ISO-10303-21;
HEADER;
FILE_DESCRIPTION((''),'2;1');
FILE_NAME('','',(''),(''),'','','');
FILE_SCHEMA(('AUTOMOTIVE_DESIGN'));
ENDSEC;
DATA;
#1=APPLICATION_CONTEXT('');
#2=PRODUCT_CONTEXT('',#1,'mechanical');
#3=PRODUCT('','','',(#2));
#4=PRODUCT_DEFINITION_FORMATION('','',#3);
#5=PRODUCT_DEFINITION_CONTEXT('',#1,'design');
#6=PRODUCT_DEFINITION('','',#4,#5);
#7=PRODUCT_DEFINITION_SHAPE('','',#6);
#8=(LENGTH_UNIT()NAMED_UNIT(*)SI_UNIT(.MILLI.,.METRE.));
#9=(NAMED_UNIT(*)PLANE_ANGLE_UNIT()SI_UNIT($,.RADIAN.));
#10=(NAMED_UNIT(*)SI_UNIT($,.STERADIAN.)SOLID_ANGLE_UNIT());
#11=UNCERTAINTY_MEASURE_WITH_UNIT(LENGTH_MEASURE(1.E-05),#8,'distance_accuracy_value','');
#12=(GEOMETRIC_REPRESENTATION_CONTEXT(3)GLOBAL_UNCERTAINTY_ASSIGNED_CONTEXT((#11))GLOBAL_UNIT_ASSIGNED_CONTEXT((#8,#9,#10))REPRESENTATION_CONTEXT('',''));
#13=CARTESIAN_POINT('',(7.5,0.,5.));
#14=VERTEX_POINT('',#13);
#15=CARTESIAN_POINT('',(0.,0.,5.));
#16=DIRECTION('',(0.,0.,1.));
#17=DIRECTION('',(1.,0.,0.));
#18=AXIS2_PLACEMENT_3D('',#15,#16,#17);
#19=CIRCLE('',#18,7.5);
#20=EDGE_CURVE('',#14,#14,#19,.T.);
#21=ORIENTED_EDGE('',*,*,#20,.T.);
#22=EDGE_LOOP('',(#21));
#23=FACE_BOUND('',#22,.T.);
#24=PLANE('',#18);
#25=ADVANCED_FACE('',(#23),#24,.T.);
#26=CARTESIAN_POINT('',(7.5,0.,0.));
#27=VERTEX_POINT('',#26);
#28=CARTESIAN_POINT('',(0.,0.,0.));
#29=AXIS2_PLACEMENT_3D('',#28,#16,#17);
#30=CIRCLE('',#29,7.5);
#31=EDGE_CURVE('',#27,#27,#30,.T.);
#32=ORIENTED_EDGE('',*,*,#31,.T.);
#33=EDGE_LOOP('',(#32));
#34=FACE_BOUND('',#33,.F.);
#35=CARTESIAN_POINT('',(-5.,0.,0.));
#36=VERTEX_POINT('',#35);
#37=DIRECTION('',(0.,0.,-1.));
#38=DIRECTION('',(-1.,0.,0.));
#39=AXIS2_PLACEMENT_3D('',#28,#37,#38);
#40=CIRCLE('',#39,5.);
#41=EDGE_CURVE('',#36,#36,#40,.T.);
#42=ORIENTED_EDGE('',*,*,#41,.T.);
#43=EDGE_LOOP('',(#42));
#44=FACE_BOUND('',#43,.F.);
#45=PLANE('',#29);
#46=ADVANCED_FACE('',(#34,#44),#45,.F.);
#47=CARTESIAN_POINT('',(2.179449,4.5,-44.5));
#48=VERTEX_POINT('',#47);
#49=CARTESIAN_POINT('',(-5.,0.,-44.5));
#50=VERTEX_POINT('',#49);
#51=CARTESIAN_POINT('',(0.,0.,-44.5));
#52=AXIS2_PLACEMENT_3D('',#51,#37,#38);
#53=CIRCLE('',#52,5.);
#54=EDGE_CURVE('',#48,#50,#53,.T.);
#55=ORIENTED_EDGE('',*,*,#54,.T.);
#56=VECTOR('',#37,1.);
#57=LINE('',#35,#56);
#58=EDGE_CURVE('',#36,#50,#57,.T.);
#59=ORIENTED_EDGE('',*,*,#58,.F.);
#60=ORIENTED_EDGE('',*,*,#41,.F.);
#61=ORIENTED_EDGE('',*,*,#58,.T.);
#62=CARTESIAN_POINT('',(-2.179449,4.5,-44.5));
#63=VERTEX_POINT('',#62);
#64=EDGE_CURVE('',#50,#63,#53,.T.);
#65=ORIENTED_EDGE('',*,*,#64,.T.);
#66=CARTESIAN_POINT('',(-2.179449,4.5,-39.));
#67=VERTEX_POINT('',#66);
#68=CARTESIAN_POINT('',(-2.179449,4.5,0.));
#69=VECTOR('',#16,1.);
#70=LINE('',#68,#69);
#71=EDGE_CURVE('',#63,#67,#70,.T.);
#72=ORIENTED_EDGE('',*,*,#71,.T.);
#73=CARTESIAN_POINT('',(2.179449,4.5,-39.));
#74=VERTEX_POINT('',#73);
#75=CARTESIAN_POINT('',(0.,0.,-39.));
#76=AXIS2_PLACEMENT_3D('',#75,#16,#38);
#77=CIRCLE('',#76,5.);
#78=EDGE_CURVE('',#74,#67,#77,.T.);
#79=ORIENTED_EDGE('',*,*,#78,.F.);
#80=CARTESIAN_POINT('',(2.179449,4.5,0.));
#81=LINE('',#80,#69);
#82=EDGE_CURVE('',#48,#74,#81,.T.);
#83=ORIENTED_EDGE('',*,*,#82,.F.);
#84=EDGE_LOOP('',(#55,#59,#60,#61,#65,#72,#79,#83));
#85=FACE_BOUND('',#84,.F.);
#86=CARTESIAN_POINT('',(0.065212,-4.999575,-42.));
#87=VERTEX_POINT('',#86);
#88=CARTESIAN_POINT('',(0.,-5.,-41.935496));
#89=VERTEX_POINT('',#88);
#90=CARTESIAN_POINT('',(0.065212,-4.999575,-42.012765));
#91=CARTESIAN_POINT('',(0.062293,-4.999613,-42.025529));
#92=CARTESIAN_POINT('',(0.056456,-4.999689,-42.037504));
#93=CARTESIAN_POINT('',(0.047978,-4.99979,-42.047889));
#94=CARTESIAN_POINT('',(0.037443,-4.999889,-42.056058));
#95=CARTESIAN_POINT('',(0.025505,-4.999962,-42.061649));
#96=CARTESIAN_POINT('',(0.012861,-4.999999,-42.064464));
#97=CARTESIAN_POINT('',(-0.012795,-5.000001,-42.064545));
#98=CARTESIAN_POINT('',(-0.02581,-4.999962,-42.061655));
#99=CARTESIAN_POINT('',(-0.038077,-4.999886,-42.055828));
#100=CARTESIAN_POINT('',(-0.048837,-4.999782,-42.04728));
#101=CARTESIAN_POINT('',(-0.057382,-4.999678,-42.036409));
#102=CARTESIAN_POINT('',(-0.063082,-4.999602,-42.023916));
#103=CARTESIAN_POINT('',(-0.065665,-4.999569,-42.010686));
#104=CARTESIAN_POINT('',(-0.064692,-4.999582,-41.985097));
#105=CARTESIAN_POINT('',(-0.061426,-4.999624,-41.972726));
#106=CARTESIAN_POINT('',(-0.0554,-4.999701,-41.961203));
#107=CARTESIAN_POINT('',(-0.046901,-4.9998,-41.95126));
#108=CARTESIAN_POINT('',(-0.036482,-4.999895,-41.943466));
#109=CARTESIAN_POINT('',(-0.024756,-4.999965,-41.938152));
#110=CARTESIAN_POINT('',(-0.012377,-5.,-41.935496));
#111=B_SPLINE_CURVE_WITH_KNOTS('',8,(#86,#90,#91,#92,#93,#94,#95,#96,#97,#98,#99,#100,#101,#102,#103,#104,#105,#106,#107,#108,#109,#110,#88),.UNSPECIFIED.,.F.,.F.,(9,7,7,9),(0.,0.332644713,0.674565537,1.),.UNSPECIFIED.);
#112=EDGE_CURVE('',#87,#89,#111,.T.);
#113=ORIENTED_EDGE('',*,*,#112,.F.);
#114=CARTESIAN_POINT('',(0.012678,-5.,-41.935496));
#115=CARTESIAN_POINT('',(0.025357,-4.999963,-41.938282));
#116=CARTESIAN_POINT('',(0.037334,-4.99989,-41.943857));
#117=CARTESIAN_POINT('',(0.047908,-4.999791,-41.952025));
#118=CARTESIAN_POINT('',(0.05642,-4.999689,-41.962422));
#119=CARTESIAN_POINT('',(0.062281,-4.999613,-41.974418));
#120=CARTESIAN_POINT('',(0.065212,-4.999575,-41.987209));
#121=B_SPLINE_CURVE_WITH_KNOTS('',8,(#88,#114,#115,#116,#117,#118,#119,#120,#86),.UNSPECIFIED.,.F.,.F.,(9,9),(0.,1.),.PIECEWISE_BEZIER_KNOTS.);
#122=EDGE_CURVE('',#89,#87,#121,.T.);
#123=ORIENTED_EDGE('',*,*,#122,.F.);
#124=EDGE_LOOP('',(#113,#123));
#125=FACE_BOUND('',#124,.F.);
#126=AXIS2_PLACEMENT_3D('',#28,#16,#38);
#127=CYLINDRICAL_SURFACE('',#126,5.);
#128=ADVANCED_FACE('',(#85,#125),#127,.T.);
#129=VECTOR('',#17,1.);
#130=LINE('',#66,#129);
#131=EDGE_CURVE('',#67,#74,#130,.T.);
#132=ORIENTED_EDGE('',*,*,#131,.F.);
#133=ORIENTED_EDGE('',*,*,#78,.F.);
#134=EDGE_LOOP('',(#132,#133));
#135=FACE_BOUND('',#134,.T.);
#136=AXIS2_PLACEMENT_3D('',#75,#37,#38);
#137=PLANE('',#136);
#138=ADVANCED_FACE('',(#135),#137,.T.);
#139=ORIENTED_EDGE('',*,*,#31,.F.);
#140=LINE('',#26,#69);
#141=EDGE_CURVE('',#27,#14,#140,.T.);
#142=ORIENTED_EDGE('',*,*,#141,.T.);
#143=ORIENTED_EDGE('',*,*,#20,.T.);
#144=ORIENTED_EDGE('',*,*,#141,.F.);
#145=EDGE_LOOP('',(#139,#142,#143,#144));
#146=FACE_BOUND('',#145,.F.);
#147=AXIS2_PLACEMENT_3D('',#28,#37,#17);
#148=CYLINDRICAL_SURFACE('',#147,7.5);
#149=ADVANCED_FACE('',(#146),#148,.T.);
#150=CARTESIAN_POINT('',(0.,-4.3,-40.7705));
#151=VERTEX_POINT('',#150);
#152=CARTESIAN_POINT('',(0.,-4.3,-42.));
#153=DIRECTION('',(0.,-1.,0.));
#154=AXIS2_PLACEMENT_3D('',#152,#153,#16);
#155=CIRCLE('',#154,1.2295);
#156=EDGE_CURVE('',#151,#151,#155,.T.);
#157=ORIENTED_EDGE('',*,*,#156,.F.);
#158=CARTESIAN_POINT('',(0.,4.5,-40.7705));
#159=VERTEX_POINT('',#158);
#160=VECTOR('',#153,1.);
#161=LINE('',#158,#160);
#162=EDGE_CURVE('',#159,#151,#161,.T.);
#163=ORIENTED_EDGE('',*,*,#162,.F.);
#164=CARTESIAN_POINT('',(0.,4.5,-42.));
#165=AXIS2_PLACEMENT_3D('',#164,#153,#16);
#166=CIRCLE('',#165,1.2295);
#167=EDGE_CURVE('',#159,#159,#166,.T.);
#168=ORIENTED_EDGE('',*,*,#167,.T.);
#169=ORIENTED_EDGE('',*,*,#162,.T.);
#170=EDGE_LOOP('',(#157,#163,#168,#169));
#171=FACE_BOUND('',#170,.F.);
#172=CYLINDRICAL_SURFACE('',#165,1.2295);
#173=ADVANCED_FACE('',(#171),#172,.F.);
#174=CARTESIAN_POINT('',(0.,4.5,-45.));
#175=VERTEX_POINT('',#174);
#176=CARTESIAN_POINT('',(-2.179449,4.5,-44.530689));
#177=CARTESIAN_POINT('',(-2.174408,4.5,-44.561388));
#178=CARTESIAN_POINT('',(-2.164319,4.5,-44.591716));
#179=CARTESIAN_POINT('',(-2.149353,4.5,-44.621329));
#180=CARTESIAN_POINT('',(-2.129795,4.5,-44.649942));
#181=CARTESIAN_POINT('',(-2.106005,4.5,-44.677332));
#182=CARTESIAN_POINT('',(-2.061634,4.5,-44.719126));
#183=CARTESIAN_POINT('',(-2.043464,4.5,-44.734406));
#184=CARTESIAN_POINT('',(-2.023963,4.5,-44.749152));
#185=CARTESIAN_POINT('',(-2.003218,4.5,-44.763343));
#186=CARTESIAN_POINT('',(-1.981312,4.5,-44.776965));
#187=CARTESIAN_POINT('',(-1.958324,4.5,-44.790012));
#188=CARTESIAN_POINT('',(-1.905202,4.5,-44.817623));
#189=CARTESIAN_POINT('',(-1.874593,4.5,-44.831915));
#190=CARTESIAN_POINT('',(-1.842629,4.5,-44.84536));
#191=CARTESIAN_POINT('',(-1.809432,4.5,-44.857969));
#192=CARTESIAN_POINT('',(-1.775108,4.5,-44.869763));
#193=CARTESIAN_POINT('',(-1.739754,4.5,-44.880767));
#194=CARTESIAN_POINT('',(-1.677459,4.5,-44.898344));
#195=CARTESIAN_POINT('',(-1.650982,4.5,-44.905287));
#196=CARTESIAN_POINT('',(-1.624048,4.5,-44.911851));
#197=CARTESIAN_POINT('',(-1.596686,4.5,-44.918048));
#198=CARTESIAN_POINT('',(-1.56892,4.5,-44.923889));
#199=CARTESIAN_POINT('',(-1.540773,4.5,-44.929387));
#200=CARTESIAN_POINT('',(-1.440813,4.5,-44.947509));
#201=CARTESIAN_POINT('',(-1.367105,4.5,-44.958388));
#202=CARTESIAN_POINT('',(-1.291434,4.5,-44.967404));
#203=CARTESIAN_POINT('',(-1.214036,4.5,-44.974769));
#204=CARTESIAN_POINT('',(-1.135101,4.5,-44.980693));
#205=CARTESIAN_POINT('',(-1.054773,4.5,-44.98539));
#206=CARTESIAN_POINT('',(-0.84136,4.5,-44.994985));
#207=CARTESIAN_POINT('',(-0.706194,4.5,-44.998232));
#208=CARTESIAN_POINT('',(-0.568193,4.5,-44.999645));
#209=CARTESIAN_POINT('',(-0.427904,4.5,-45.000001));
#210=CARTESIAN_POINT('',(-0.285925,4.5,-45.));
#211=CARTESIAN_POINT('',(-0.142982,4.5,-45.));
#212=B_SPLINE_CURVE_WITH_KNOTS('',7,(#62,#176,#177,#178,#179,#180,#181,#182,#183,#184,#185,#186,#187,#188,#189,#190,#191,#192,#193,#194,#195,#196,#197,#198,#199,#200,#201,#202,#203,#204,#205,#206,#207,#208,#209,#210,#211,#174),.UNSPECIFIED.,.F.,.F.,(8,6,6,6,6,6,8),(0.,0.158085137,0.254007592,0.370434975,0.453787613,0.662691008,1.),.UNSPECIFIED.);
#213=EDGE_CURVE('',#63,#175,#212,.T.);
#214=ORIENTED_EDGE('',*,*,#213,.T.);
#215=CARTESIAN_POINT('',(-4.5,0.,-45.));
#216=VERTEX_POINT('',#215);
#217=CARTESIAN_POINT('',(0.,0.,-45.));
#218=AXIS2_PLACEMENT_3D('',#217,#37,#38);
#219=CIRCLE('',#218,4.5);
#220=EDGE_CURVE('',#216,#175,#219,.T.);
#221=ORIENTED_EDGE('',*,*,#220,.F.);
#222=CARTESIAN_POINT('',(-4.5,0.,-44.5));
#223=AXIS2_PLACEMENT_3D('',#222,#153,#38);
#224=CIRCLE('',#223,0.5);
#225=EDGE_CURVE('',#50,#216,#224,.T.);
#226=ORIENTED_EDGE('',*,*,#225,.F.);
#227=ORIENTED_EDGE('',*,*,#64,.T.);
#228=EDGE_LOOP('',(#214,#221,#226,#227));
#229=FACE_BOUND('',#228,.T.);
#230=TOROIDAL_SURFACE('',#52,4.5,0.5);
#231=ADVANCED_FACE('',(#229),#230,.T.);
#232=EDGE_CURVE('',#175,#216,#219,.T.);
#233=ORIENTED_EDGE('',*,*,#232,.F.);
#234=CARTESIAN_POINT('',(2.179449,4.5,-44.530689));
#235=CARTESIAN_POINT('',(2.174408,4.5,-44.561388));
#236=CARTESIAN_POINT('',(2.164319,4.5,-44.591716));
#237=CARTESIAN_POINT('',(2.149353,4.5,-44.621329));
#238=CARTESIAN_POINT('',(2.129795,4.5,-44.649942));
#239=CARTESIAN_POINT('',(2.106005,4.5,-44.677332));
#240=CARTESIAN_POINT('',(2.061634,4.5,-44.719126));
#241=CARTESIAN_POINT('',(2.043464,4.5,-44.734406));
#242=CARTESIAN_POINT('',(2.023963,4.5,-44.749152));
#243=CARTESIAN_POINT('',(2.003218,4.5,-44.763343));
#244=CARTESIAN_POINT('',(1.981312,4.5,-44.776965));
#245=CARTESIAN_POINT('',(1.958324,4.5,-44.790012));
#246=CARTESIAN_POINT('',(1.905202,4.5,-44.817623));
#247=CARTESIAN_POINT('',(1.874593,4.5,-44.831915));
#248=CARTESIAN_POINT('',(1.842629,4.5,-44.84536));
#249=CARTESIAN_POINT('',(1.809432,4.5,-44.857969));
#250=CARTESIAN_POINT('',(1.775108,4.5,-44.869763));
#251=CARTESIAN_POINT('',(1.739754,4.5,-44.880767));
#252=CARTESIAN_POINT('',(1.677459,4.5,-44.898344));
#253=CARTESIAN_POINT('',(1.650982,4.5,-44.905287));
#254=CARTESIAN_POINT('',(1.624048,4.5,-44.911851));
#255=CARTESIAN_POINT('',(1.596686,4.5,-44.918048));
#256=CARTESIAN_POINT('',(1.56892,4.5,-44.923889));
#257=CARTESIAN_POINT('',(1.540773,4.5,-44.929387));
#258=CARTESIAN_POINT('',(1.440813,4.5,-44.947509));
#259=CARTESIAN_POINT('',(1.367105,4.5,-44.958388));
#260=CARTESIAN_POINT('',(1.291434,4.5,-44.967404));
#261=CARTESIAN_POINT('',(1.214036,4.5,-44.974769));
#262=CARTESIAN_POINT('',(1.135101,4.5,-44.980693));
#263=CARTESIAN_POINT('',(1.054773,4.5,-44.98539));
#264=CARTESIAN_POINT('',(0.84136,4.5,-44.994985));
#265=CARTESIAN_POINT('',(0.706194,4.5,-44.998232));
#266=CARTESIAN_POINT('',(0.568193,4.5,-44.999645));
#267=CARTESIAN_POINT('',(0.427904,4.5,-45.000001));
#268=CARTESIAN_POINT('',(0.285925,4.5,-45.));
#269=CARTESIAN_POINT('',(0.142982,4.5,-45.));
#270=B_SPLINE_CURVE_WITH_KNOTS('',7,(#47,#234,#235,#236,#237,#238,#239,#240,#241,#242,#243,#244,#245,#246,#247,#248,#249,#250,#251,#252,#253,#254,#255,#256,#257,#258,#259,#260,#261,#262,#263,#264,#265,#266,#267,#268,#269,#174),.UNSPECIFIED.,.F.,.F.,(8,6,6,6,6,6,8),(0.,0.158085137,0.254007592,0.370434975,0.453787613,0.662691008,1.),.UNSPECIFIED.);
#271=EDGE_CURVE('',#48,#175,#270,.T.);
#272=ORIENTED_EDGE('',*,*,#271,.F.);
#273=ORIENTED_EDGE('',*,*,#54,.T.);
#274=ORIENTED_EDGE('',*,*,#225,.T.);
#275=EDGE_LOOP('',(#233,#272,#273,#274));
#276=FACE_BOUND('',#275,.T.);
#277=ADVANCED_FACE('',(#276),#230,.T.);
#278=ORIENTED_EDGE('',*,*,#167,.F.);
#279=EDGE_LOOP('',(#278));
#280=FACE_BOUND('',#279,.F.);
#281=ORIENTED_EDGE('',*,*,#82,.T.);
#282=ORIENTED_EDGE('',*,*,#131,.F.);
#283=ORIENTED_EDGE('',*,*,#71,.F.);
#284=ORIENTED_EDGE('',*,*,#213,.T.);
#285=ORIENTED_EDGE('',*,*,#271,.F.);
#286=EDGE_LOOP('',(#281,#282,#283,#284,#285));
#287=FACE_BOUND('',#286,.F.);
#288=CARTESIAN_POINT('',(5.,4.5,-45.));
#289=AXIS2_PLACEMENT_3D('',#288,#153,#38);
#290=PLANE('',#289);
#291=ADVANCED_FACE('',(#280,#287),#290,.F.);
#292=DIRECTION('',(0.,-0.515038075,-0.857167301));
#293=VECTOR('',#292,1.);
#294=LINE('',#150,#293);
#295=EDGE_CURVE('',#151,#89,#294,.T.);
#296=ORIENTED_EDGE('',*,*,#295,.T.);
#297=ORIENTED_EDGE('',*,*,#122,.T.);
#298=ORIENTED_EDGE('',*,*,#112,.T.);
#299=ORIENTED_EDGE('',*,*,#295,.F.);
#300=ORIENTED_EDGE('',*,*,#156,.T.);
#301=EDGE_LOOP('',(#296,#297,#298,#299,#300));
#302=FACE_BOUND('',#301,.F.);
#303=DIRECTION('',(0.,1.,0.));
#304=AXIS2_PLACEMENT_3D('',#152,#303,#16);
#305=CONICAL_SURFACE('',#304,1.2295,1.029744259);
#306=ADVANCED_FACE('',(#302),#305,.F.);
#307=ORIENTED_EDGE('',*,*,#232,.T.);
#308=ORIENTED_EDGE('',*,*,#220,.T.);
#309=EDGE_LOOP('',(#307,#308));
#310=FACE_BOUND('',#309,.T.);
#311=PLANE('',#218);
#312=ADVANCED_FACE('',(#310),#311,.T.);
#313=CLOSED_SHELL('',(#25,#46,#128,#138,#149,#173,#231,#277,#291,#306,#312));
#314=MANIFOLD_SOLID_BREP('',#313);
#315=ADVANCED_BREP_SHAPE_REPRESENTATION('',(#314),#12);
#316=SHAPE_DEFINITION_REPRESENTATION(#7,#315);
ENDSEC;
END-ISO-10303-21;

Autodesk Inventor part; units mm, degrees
ref_plane "YZ Plane" through (0, 0, 0) normal (1, 0, 0) x (0, 1, 0)
ref_plane "XZ Plane" through (0, 0, 0) normal (0, 1, 0) x (-1, 0, 0)
ref_plane "XY Plane" through (0, 0, 0) normal (0, 0, 1) x (1, 0, 0)
sketch "Sketch1" plane through (0, 0, 0) normal (0, 0, 1) x (1, 0, 0)
  circle A0 centre (0, 0) radius 7.5
extrude "Extrusion1" add sketch "Sketch1" along normal blind 5
sketch "Sketch2" plane through (0, 0, 0) normal (0, 0, -1) x (-1, 0, 0)
  circle A0 centre (0, 0) radius 5
extrude "Extrusion2" add sketch "Sketch2" along normal blind 45
fillet "Fillet1" radius 0.5 1 edges at (5, 0, -45)
sketch "Sketch3" plane through (0, 0, -45) normal (0, 0, -1) x (-1, 0, 0)
  point P0 (0, 0)
sketch "Sketch4" plane through (0, 0, -45) normal (0, 0, -1) x (-1, 0, 0)
  line L0 (0, 4.5) -> (5, 4.5)
  line L1 (5, 4.5) -> (5, 5.5)
  line L2 (5, 5.5) -> (-5, 5.5)
  line L3 (-5, 5.5) -> (-5, 4.5)
  line L4 (-5, 4.5) -> (0, 4.5)
  circle A0 centre (0, 0) radius 4.5 projected
extrude "Extrusion3" cut sketch "Sketch4" against normal blind 6 contours L4 L3 L2 L1 L0
sketch "Sketch5" plane through (-2.1794, 4.5, -39) normal (0, 1, 0) x (1, 0, 0)
  point P0 (2.1794, -39)
  point P1 (2.1794, 6)
sketch "Sketch6" plane through (-2.1794, 4.5, -39) normal (0, 1, 0) x (1, 0, 0)
  point P0 (2.1794, -39)
sketch "Sketch7" plane through (-2.1794, 4.5, -39) normal (0, 1, 0) x (1, 0, 0)
  point P0 (2.1794, -39)
sketch "Sketch8" plane through (-2.1794, 4.5, -39) normal (0, 1, 0) x (1, 0, 0)
  point P0 (2.1794, -39)
  point P1 (2.1794, -3)
  point P2 (2.1794, -3)
  point P3 (2.1794, 3)
hole "Hole1" at (0, 4.5, -42) direction (0, -1, 0) diameter 2.459 depth 8.8 tip angle 118 thread size "M3x0.5" class "6H" standard "ISO Metric profile"
properties part number "Trzemień"
